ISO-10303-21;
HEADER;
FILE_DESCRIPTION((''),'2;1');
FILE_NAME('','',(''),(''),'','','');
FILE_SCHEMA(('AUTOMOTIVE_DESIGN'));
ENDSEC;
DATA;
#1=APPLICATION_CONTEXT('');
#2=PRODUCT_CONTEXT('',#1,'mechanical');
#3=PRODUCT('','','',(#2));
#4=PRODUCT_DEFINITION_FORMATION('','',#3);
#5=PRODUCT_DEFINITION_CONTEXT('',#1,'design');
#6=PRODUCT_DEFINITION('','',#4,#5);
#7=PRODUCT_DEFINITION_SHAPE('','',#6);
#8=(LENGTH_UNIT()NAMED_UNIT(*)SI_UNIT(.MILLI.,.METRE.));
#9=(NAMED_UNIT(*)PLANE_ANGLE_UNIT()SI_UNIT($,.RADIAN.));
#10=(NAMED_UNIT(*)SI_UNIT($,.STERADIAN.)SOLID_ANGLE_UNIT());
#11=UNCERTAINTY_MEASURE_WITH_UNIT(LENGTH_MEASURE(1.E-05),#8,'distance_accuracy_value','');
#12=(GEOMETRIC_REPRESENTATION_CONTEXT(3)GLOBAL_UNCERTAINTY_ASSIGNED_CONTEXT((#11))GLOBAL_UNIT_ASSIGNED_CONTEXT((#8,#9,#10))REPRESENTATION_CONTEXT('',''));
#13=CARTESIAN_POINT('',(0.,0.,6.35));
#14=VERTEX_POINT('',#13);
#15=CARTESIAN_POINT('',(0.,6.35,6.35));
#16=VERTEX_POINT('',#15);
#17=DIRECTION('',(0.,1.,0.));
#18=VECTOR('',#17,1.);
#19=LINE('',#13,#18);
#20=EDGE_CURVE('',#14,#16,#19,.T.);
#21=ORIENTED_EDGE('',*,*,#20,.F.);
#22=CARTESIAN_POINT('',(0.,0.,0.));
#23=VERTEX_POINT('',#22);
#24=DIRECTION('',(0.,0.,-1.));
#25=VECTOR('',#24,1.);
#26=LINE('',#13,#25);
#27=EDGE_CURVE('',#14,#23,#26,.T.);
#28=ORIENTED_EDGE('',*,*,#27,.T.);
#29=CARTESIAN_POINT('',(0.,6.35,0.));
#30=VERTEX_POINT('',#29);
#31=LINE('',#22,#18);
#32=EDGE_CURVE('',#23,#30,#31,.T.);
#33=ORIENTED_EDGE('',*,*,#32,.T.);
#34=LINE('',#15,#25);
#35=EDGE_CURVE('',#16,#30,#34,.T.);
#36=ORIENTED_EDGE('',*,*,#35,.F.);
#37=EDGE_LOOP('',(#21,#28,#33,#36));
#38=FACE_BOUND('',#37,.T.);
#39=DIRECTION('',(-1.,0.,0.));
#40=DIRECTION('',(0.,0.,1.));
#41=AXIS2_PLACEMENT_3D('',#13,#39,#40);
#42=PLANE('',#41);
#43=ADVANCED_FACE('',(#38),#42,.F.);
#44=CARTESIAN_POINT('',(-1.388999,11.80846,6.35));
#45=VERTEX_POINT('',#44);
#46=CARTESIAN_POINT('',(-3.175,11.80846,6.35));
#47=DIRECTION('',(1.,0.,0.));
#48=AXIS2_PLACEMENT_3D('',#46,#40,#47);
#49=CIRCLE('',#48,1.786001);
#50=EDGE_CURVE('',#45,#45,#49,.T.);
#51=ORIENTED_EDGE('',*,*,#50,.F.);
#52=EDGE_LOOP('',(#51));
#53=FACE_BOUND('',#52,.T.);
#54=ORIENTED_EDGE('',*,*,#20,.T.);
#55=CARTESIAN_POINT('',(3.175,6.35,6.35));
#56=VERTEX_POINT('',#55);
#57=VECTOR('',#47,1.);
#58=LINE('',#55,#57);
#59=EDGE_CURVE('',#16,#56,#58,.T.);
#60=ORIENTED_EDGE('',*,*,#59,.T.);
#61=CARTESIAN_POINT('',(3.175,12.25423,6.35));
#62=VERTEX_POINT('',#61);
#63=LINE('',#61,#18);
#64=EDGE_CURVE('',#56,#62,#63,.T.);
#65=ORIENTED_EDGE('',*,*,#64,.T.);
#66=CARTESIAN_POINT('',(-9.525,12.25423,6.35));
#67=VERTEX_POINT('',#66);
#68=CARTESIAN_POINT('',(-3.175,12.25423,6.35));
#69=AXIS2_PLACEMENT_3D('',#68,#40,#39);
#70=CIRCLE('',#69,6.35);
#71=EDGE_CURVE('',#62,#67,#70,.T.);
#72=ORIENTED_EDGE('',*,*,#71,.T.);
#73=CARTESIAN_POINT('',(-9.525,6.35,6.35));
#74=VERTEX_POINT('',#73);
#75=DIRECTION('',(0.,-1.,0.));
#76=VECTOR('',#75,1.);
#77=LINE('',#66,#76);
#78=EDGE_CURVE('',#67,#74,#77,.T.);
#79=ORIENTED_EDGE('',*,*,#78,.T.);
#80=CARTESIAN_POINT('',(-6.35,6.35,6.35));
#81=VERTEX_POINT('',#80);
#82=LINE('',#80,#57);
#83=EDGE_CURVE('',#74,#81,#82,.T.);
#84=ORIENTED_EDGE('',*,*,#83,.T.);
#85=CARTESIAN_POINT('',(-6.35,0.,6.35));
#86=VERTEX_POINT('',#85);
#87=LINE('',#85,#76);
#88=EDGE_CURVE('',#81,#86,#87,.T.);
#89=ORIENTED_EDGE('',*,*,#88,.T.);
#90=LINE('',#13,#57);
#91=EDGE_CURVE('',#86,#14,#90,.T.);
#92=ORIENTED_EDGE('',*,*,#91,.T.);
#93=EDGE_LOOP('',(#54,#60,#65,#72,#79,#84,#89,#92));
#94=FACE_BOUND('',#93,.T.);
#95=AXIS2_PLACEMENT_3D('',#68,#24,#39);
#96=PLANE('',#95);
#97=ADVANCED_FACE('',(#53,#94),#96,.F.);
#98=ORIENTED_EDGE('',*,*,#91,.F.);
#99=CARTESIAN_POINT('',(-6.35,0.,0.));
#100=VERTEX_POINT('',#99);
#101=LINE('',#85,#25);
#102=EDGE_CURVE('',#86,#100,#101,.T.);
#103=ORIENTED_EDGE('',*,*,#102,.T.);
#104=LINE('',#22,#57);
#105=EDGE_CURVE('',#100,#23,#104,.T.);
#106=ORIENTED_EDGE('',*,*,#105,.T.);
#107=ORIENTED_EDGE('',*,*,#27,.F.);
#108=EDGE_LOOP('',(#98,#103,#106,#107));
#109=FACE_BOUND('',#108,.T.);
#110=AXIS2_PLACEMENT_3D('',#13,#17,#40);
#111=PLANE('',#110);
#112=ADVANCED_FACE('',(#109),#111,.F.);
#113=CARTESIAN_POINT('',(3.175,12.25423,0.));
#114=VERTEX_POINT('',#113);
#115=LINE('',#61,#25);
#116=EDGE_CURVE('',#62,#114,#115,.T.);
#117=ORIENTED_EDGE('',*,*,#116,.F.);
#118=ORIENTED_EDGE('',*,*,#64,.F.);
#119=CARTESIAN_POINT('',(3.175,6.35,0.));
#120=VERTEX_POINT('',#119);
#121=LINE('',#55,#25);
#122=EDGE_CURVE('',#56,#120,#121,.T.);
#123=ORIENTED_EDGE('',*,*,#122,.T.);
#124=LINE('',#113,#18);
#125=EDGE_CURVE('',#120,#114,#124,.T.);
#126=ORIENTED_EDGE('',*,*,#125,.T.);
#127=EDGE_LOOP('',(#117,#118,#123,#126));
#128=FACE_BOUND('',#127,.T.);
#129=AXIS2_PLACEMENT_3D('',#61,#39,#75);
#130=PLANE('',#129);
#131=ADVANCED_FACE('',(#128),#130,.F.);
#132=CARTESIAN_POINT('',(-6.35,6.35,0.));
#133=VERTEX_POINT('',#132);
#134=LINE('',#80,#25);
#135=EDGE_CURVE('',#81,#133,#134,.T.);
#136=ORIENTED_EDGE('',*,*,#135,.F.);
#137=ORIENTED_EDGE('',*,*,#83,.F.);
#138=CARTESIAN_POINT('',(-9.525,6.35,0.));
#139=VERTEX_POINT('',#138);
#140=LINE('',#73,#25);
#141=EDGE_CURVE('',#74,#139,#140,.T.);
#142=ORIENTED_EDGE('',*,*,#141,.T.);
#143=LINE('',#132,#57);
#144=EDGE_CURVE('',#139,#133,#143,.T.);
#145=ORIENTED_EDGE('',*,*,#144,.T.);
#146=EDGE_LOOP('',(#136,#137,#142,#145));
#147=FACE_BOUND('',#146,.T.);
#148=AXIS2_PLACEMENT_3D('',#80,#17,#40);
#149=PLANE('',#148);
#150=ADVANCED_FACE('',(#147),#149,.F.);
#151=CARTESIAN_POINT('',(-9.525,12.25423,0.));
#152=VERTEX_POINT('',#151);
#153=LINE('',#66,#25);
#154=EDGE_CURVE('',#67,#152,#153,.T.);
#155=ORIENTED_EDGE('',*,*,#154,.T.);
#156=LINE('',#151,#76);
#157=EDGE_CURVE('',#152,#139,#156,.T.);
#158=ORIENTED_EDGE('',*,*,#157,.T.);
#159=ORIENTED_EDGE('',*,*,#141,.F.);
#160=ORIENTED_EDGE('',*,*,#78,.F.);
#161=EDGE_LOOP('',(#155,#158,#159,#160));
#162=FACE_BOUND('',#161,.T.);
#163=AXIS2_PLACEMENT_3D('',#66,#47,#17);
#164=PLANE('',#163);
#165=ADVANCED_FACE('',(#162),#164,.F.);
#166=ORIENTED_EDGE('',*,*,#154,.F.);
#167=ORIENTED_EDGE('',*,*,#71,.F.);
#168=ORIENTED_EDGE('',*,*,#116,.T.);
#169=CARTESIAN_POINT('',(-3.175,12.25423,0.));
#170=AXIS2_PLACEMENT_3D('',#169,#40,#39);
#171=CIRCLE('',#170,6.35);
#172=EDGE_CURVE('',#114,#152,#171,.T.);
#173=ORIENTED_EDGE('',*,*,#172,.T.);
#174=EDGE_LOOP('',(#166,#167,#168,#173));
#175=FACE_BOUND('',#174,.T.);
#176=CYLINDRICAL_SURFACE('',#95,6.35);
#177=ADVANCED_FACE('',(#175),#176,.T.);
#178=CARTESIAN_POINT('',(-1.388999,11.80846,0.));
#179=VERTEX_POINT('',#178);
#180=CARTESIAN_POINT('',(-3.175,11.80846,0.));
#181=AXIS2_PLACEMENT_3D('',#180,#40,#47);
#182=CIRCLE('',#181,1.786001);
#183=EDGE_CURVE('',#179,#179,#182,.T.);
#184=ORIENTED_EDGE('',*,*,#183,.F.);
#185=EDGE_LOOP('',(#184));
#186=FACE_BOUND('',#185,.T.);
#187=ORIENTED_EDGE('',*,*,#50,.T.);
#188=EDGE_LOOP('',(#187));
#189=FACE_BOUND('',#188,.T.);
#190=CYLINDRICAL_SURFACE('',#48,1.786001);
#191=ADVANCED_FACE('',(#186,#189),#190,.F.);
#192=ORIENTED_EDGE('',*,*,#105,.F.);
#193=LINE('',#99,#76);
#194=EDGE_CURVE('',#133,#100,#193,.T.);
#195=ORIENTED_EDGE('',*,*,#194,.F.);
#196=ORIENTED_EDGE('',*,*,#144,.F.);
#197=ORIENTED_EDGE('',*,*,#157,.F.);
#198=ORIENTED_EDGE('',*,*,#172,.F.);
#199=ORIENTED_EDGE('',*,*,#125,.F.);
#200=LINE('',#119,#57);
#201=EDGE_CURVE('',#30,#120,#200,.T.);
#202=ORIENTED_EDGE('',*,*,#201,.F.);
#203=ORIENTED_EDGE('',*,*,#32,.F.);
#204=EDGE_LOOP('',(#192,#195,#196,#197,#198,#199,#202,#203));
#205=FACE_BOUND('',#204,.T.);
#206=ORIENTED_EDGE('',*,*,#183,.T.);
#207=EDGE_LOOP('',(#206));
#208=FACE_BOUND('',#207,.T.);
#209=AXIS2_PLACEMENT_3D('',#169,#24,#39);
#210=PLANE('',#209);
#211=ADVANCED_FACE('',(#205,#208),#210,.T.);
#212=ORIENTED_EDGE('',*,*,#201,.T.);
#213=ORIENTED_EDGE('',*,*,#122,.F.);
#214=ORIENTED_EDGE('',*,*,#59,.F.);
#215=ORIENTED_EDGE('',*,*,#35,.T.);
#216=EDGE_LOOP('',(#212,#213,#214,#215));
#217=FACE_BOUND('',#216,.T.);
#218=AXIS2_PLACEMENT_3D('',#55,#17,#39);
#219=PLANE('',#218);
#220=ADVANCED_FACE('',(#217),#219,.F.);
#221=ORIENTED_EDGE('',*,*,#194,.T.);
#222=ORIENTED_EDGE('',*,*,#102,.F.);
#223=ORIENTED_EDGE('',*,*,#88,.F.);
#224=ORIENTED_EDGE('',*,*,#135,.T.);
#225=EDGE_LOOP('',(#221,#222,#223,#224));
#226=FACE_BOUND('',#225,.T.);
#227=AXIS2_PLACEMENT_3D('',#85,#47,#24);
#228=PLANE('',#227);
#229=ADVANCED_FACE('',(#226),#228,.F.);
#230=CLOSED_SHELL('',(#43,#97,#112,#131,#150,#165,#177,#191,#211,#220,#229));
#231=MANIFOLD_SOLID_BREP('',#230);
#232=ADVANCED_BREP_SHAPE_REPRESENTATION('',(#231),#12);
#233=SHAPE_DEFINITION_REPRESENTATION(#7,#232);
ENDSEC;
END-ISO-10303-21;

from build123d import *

# Parameters (mm, degrees)
BOSS_EXTRUDE1_DEPTH             = 6.35
F_9_64_0_14063_DIAMETER_HOLE1_D = 3.572002


with BuildPart() as part:
    # Sketch1 → Boss-Extrude1 (new body)
    with BuildSketch(Plane.XY):
        with BuildLine():
            Line((-6.35, 6.35), (-9.525, 6.35))
            Line((-9.525, 6.35), (-9.525, 12.25423))
            ThreePointArc((-9.525, 12.25423), (-3.175, 18.60423), (3.175, 12.25423))
            Line((3.175, 12.25423), (3.175, 6.35))
            Line((3.175, 6.35), (0, 6.35))
            Line((0, 6.35), (0, 0))
            Line((0, 0), (-6.35, 0))
            Line((-6.35, 0), (-6.35, 6.35))
        make_face()
    extrude(amount=BOSS_EXTRUDE1_DEPTH)

    # 9/64 (0.14063) Diameter Hole1 (through all)
    with Locations(Plane.XY.offset(6.35)):
        with Locations((-3.175, 11.80846)):
            Hole(F_9_64_0_14063_DIAMETER_HOLE1_D / 2)


solid = part.part
